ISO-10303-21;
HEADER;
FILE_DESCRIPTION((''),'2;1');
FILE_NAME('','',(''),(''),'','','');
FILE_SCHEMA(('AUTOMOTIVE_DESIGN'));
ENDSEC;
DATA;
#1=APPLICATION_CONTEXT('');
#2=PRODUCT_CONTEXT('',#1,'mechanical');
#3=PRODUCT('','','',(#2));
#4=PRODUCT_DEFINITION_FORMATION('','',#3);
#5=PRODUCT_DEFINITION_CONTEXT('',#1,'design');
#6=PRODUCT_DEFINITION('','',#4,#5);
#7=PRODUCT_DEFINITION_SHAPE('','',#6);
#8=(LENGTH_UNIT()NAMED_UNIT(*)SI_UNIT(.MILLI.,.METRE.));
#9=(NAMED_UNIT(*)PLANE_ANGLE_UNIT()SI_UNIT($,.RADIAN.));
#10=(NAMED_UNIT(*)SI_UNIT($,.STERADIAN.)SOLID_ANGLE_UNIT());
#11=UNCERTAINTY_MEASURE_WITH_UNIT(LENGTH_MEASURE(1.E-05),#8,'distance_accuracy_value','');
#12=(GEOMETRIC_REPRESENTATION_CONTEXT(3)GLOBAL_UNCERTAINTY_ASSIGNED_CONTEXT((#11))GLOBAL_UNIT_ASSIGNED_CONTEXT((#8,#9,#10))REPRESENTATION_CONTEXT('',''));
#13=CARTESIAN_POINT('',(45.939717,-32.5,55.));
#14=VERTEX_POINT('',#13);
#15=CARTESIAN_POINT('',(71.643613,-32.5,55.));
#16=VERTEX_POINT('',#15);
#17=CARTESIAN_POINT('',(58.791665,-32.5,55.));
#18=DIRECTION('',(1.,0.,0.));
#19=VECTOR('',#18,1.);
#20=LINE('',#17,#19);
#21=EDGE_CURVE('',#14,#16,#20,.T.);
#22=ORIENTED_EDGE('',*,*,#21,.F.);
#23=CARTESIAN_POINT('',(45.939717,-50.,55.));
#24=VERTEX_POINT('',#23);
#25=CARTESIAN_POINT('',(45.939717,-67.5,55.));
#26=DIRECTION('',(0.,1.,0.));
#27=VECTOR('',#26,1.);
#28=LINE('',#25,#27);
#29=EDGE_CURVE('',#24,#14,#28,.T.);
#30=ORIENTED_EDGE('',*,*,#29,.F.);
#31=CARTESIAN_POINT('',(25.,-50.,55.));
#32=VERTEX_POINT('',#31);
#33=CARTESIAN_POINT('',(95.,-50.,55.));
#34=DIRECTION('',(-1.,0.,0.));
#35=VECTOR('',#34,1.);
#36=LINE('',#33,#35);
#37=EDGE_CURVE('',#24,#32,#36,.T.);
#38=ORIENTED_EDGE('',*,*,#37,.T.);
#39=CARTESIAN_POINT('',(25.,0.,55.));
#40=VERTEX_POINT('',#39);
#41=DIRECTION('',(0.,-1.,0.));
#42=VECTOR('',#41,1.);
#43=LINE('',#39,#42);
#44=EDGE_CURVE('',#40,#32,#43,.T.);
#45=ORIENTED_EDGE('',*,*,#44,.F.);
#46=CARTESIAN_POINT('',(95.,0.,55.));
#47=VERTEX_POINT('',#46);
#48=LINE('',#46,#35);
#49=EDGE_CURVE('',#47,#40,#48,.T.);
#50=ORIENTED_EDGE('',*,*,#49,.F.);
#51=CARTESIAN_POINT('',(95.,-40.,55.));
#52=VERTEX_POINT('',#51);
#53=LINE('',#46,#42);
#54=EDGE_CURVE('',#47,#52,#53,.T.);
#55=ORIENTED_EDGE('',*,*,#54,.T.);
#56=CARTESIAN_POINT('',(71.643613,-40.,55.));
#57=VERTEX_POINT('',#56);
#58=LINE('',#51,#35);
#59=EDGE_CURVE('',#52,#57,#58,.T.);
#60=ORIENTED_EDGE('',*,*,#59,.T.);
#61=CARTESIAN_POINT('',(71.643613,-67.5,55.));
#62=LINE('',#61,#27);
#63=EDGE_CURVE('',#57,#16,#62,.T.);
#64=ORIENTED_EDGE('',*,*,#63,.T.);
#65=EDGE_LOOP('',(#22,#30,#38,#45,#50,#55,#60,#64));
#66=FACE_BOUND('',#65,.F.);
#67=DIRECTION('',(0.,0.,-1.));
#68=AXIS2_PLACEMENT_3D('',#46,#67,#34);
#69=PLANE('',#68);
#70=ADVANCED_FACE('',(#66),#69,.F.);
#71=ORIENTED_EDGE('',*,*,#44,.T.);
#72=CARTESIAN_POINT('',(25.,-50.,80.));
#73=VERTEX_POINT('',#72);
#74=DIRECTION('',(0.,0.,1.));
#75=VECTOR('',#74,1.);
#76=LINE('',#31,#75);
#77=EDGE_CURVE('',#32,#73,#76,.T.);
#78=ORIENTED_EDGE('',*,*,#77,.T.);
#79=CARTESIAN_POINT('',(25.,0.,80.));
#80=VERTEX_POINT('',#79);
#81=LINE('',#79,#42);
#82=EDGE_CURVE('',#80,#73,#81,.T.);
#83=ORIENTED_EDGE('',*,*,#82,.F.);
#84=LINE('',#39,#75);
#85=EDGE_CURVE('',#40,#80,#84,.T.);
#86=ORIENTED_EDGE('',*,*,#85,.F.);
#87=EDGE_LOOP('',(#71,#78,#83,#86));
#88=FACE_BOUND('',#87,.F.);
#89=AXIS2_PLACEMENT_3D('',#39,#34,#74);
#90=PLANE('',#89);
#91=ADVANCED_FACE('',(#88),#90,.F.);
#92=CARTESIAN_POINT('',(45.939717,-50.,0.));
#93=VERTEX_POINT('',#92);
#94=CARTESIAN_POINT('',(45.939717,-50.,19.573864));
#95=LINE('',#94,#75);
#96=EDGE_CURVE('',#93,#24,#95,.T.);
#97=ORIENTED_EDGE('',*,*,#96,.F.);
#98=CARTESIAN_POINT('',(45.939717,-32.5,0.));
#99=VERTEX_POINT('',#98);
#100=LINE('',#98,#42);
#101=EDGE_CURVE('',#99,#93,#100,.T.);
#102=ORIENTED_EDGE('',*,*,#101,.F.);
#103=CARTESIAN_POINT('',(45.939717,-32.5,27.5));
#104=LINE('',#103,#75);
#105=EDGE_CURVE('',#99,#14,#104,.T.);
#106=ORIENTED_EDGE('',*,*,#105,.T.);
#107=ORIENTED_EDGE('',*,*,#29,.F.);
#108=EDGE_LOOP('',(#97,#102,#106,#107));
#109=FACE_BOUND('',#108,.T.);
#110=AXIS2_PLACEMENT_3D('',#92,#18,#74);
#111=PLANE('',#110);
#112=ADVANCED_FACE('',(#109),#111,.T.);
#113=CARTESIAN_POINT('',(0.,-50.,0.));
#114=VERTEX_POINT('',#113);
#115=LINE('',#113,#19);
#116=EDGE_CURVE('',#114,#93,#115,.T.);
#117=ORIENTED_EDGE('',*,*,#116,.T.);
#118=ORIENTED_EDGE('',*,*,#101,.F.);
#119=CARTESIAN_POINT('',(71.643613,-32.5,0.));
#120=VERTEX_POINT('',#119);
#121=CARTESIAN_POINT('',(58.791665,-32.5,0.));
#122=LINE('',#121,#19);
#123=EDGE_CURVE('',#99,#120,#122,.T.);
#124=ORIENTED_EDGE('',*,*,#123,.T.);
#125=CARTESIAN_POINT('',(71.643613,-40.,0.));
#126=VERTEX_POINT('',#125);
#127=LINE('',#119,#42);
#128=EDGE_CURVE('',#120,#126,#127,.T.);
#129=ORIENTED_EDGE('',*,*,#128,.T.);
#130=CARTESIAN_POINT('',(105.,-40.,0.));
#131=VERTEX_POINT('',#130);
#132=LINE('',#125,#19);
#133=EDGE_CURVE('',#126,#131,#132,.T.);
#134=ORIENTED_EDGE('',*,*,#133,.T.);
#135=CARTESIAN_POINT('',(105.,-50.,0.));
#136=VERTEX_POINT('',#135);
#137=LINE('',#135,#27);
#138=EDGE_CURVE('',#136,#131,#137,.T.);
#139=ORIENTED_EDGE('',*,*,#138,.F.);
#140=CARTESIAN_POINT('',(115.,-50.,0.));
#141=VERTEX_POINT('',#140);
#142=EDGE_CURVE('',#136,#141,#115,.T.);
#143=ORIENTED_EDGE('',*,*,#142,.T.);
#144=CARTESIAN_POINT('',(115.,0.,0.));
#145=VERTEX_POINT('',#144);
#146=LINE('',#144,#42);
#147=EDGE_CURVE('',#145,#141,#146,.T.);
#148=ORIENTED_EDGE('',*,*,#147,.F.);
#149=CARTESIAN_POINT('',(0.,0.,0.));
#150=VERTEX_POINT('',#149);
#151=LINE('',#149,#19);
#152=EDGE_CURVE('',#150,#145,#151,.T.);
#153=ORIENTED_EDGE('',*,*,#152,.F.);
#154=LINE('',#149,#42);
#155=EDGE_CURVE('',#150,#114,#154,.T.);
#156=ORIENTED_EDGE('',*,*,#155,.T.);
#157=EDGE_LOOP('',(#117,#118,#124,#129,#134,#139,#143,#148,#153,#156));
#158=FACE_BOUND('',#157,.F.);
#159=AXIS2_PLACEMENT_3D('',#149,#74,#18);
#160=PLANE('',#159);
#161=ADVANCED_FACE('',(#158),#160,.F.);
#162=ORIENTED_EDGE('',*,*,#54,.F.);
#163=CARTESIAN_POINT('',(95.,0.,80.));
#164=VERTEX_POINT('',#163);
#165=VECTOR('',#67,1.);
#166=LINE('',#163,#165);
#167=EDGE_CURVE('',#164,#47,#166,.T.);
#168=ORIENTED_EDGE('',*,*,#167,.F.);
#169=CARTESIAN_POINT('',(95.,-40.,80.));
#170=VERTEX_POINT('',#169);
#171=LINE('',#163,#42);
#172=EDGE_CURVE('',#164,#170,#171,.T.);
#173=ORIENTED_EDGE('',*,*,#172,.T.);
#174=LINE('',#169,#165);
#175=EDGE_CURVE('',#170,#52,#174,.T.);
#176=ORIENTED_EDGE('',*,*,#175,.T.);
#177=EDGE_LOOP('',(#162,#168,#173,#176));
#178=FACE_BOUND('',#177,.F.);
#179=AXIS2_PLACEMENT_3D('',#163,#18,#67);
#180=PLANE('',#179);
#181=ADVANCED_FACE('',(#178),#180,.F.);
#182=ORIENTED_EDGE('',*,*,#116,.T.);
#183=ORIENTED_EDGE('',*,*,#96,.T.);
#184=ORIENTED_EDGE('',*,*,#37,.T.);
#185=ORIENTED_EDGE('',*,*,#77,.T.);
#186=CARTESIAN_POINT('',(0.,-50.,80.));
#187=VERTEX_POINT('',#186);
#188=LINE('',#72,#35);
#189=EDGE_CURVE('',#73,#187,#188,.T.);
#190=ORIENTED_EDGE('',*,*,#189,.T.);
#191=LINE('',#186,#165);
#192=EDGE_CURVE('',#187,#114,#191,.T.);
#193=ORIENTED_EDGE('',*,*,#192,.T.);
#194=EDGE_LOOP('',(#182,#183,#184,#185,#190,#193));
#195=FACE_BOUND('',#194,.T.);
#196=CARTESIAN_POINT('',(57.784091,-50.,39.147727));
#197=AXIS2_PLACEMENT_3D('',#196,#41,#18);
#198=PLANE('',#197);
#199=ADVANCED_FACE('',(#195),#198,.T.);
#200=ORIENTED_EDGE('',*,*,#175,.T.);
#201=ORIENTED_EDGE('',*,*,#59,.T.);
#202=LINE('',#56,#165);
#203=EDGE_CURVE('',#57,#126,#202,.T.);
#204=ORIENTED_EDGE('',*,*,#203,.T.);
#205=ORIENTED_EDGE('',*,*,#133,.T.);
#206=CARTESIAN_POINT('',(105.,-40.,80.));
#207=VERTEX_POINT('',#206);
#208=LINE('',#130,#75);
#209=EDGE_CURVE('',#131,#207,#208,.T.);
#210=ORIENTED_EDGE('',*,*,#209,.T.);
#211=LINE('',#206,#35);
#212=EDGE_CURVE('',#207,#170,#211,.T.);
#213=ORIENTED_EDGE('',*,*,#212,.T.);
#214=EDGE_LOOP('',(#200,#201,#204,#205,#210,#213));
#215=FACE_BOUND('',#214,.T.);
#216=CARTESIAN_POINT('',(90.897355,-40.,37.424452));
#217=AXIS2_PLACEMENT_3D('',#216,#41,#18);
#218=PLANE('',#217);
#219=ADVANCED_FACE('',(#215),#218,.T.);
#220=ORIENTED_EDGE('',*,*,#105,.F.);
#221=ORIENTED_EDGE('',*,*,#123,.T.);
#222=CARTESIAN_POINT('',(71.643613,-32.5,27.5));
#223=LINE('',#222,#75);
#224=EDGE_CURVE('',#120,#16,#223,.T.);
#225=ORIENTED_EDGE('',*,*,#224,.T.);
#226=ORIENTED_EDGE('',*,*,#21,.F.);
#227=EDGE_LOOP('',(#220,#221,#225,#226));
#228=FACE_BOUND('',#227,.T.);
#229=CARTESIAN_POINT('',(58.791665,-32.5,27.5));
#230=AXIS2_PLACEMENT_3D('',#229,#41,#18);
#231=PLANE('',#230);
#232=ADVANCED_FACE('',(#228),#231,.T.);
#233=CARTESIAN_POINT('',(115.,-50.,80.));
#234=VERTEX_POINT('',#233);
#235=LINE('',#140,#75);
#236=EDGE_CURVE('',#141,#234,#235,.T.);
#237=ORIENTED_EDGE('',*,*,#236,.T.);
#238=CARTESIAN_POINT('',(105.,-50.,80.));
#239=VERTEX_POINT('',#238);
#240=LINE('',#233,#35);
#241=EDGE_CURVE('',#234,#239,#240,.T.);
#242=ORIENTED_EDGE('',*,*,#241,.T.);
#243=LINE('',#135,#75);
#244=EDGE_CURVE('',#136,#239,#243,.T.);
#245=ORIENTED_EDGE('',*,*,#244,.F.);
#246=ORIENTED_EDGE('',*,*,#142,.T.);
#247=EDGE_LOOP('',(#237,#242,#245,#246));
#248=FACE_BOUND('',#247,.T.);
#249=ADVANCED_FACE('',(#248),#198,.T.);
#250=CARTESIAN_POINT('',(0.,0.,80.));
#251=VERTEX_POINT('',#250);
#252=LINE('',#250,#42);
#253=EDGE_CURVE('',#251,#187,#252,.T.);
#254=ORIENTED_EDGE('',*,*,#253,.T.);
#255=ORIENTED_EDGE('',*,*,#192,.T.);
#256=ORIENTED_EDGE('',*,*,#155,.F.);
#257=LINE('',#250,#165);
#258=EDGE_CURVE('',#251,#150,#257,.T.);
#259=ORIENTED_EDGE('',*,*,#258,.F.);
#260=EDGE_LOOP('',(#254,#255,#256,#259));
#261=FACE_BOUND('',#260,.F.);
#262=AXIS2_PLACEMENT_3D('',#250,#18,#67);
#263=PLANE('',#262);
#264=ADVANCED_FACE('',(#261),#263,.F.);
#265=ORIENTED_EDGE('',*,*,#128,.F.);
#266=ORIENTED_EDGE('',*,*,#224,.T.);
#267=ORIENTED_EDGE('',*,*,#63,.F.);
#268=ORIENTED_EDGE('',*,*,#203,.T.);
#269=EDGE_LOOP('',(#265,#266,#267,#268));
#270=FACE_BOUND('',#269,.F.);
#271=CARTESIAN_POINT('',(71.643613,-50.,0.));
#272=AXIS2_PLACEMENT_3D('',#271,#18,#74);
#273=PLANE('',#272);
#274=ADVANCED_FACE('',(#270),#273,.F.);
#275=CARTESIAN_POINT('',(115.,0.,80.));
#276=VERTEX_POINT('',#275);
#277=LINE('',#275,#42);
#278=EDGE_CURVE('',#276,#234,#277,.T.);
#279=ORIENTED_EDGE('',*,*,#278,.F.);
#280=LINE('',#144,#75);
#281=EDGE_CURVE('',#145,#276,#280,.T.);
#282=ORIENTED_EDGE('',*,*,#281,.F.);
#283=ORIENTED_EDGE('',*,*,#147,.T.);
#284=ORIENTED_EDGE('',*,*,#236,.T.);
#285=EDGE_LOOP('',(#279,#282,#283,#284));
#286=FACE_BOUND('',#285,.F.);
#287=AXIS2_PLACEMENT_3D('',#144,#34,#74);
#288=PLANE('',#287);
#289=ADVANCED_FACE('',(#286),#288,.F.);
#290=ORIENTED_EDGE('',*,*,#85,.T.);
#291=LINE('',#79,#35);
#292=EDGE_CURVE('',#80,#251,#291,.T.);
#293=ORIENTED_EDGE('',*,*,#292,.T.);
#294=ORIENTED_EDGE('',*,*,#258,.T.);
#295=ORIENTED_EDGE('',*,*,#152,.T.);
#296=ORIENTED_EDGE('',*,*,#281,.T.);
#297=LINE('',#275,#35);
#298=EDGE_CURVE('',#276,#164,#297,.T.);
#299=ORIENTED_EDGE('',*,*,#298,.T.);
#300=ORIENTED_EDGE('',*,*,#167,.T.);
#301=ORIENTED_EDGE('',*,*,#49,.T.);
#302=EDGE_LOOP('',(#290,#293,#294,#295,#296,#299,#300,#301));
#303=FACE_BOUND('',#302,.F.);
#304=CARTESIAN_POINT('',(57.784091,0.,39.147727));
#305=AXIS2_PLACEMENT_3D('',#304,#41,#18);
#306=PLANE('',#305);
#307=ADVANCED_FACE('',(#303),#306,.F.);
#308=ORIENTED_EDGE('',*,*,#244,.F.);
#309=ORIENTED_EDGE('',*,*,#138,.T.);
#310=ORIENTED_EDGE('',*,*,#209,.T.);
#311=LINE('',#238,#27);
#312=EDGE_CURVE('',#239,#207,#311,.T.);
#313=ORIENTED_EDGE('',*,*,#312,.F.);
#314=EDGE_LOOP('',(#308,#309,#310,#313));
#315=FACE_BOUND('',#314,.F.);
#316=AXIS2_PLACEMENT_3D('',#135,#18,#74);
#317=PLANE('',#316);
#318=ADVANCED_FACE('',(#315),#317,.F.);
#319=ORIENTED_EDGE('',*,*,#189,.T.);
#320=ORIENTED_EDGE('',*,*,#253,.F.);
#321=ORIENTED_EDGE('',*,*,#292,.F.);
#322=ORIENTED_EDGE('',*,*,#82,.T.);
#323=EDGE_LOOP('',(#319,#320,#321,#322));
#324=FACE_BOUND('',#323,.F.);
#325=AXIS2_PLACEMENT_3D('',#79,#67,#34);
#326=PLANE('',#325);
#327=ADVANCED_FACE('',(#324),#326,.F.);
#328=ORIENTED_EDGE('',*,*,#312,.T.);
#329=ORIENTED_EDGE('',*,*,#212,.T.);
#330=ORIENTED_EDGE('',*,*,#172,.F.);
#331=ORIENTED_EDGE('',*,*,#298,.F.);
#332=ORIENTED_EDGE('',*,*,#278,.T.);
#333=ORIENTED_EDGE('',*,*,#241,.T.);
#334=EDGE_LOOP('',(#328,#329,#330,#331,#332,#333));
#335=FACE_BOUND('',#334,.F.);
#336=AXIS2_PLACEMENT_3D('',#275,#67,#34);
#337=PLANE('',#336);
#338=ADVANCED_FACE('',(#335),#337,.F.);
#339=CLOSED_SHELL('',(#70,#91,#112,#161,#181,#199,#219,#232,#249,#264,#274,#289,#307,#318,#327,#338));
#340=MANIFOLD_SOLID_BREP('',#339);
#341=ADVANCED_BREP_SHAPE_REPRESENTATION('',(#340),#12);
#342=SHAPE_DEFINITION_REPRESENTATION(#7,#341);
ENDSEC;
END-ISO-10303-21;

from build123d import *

# Parameters (mm, degrees)
F1_DEPTH = 50
F2_W     = 25.703896
F2_H     = 55
F3_DEPTH = 17.5
F4_DEPTH = 10


with BuildPart() as f1:
    # F0 (on Front) → F1 (new body)
    with BuildSketch(Plane.XZ):
        Polygon((25, 80), (0, 80), (0, 0), (115, 0), (115, 80), (95, 80), (95, 55), (25, 55), align=None)
    extrude(amount=F1_DEPTH)

    # F2 (on face) → F3 (cut, symmetric)
    with BuildSketch(Plane.XZ.offset(50)):
        with Locations((58.791665, 27.5)):
            Rectangle(F2_W, F2_H)
    extrude(amount=F3_DEPTH, both=True, mode=Mode.SUBTRACT)

    # F2 (on face) → F4 (cut)
    with BuildSketch(Plane.XZ.offset(50)):
        Polygon((95, 55), (71.643613, 55), (71.643613, 0), (105, 0), (105, 80), (95, 80), align=None)
    extrude(amount=-F4_DEPTH, mode=Mode.SUBTRACT)


solid = f1.part
